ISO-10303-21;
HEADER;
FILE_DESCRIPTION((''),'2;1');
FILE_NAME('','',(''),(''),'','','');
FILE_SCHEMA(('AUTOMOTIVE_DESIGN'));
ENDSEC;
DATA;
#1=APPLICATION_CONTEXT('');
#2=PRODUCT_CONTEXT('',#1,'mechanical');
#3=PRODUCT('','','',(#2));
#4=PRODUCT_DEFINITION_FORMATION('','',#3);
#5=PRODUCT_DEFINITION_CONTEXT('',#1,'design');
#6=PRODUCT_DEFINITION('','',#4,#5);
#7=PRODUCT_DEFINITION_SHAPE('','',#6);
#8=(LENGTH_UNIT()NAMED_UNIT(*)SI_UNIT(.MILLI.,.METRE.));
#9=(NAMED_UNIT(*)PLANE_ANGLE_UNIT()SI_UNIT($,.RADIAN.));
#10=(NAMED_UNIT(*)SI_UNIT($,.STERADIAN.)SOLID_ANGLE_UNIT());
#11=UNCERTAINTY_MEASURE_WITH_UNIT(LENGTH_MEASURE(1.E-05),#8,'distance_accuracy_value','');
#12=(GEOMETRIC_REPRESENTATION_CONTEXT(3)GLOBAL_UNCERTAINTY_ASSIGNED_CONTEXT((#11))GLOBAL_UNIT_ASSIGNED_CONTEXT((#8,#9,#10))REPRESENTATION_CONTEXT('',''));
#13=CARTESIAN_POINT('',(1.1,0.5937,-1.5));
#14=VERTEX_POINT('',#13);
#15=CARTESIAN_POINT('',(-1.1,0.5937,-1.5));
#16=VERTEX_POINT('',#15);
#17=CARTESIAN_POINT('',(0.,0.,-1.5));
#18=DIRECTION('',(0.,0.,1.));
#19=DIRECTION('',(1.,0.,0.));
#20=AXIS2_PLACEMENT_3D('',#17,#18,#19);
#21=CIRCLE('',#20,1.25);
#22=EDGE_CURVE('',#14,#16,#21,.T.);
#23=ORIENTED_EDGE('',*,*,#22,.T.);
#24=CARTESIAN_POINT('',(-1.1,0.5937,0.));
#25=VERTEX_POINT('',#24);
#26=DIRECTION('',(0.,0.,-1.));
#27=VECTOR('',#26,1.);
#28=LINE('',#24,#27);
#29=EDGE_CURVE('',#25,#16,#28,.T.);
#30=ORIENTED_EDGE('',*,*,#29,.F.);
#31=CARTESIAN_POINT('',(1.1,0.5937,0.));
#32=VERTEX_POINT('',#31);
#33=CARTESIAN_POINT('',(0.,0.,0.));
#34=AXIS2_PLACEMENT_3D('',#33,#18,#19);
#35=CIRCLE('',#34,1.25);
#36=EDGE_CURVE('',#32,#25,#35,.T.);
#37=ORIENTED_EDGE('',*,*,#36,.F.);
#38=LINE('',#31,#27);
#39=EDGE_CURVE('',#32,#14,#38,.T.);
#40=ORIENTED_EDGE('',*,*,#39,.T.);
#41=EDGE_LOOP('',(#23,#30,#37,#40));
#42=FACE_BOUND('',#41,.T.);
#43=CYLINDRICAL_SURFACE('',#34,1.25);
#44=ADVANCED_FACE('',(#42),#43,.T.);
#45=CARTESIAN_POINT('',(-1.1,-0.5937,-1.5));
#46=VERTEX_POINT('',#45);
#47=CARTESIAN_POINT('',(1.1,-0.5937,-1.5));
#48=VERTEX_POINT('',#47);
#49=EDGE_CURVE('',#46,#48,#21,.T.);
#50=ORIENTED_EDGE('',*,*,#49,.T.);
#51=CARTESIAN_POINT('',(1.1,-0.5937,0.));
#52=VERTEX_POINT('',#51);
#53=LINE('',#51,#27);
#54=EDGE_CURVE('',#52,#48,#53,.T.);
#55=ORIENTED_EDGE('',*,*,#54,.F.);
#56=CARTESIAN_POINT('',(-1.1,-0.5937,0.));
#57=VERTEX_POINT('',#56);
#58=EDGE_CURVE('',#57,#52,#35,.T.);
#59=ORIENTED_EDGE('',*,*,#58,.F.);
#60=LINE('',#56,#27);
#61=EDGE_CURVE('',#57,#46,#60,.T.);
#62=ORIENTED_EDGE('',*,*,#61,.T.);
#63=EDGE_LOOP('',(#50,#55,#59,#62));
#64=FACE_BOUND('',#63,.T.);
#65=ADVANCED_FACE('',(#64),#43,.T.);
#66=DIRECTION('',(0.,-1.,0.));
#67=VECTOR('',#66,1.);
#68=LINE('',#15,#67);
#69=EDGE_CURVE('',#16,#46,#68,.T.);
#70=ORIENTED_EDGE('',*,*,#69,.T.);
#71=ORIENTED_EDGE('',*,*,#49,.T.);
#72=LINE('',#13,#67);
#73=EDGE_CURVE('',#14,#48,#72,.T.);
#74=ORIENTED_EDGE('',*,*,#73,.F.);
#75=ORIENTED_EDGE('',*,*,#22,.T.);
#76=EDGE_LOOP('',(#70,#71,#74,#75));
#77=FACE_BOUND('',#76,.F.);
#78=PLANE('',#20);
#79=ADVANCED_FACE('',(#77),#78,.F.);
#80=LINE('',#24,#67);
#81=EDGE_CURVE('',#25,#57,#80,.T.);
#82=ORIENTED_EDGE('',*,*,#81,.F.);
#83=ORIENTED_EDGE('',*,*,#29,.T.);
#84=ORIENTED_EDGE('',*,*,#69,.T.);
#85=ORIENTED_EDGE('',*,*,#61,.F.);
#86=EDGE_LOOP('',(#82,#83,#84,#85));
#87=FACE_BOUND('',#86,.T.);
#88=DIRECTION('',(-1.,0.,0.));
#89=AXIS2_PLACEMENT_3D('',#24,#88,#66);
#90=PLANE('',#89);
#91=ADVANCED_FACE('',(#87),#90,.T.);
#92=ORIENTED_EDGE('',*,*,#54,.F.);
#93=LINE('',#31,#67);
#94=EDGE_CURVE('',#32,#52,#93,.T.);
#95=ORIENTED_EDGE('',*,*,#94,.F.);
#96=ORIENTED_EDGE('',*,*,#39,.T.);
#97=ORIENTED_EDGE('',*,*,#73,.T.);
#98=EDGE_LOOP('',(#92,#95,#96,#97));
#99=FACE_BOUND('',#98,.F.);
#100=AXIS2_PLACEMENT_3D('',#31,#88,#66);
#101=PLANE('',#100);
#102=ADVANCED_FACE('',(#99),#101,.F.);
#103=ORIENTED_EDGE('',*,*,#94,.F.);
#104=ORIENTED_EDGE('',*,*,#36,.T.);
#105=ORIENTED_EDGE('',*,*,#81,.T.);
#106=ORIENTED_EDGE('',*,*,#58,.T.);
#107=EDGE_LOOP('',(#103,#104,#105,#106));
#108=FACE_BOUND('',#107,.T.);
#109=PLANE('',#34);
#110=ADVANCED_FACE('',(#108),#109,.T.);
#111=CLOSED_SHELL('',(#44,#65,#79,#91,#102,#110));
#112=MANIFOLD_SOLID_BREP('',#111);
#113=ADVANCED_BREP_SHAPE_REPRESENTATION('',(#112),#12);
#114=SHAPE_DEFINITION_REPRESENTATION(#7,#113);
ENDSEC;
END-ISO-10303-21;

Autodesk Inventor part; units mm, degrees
ref_plane "YZ Plane" through (0, 0, 0) normal (1, 0, 0) x (0, 1, 0)
ref_plane "XZ Plane" through (0, 0, 0) normal (0, 1, 0) x (-1, 0, 0)
ref_plane "XY Plane" through (0, 0, 0) normal (0, 0, 1) x (1, 0, 0)
sketch "Sketch1" plane through (0, 0, 0) normal (0, 0, 1) x (1, 0, 0)
  circle A0 centre (0, 0) radius 1.25
  line L0 (-1.1, 0.5937) -> (-1.1, -0.5937)
  line L1 (1.1, 0.5937) -> (1.1, -0.5937)
  line L2 (0, 0) -> (0, 1.6774) construction
  dimension "d0" = 2.5
  dimension "d3" = 2.2
extrude "Extrusion1" add sketch "Sketch1" against normal blind 1.5 contours L1 A0 L0
properties part number "photodiode_cap" material "Polycarbonate, Clear"
